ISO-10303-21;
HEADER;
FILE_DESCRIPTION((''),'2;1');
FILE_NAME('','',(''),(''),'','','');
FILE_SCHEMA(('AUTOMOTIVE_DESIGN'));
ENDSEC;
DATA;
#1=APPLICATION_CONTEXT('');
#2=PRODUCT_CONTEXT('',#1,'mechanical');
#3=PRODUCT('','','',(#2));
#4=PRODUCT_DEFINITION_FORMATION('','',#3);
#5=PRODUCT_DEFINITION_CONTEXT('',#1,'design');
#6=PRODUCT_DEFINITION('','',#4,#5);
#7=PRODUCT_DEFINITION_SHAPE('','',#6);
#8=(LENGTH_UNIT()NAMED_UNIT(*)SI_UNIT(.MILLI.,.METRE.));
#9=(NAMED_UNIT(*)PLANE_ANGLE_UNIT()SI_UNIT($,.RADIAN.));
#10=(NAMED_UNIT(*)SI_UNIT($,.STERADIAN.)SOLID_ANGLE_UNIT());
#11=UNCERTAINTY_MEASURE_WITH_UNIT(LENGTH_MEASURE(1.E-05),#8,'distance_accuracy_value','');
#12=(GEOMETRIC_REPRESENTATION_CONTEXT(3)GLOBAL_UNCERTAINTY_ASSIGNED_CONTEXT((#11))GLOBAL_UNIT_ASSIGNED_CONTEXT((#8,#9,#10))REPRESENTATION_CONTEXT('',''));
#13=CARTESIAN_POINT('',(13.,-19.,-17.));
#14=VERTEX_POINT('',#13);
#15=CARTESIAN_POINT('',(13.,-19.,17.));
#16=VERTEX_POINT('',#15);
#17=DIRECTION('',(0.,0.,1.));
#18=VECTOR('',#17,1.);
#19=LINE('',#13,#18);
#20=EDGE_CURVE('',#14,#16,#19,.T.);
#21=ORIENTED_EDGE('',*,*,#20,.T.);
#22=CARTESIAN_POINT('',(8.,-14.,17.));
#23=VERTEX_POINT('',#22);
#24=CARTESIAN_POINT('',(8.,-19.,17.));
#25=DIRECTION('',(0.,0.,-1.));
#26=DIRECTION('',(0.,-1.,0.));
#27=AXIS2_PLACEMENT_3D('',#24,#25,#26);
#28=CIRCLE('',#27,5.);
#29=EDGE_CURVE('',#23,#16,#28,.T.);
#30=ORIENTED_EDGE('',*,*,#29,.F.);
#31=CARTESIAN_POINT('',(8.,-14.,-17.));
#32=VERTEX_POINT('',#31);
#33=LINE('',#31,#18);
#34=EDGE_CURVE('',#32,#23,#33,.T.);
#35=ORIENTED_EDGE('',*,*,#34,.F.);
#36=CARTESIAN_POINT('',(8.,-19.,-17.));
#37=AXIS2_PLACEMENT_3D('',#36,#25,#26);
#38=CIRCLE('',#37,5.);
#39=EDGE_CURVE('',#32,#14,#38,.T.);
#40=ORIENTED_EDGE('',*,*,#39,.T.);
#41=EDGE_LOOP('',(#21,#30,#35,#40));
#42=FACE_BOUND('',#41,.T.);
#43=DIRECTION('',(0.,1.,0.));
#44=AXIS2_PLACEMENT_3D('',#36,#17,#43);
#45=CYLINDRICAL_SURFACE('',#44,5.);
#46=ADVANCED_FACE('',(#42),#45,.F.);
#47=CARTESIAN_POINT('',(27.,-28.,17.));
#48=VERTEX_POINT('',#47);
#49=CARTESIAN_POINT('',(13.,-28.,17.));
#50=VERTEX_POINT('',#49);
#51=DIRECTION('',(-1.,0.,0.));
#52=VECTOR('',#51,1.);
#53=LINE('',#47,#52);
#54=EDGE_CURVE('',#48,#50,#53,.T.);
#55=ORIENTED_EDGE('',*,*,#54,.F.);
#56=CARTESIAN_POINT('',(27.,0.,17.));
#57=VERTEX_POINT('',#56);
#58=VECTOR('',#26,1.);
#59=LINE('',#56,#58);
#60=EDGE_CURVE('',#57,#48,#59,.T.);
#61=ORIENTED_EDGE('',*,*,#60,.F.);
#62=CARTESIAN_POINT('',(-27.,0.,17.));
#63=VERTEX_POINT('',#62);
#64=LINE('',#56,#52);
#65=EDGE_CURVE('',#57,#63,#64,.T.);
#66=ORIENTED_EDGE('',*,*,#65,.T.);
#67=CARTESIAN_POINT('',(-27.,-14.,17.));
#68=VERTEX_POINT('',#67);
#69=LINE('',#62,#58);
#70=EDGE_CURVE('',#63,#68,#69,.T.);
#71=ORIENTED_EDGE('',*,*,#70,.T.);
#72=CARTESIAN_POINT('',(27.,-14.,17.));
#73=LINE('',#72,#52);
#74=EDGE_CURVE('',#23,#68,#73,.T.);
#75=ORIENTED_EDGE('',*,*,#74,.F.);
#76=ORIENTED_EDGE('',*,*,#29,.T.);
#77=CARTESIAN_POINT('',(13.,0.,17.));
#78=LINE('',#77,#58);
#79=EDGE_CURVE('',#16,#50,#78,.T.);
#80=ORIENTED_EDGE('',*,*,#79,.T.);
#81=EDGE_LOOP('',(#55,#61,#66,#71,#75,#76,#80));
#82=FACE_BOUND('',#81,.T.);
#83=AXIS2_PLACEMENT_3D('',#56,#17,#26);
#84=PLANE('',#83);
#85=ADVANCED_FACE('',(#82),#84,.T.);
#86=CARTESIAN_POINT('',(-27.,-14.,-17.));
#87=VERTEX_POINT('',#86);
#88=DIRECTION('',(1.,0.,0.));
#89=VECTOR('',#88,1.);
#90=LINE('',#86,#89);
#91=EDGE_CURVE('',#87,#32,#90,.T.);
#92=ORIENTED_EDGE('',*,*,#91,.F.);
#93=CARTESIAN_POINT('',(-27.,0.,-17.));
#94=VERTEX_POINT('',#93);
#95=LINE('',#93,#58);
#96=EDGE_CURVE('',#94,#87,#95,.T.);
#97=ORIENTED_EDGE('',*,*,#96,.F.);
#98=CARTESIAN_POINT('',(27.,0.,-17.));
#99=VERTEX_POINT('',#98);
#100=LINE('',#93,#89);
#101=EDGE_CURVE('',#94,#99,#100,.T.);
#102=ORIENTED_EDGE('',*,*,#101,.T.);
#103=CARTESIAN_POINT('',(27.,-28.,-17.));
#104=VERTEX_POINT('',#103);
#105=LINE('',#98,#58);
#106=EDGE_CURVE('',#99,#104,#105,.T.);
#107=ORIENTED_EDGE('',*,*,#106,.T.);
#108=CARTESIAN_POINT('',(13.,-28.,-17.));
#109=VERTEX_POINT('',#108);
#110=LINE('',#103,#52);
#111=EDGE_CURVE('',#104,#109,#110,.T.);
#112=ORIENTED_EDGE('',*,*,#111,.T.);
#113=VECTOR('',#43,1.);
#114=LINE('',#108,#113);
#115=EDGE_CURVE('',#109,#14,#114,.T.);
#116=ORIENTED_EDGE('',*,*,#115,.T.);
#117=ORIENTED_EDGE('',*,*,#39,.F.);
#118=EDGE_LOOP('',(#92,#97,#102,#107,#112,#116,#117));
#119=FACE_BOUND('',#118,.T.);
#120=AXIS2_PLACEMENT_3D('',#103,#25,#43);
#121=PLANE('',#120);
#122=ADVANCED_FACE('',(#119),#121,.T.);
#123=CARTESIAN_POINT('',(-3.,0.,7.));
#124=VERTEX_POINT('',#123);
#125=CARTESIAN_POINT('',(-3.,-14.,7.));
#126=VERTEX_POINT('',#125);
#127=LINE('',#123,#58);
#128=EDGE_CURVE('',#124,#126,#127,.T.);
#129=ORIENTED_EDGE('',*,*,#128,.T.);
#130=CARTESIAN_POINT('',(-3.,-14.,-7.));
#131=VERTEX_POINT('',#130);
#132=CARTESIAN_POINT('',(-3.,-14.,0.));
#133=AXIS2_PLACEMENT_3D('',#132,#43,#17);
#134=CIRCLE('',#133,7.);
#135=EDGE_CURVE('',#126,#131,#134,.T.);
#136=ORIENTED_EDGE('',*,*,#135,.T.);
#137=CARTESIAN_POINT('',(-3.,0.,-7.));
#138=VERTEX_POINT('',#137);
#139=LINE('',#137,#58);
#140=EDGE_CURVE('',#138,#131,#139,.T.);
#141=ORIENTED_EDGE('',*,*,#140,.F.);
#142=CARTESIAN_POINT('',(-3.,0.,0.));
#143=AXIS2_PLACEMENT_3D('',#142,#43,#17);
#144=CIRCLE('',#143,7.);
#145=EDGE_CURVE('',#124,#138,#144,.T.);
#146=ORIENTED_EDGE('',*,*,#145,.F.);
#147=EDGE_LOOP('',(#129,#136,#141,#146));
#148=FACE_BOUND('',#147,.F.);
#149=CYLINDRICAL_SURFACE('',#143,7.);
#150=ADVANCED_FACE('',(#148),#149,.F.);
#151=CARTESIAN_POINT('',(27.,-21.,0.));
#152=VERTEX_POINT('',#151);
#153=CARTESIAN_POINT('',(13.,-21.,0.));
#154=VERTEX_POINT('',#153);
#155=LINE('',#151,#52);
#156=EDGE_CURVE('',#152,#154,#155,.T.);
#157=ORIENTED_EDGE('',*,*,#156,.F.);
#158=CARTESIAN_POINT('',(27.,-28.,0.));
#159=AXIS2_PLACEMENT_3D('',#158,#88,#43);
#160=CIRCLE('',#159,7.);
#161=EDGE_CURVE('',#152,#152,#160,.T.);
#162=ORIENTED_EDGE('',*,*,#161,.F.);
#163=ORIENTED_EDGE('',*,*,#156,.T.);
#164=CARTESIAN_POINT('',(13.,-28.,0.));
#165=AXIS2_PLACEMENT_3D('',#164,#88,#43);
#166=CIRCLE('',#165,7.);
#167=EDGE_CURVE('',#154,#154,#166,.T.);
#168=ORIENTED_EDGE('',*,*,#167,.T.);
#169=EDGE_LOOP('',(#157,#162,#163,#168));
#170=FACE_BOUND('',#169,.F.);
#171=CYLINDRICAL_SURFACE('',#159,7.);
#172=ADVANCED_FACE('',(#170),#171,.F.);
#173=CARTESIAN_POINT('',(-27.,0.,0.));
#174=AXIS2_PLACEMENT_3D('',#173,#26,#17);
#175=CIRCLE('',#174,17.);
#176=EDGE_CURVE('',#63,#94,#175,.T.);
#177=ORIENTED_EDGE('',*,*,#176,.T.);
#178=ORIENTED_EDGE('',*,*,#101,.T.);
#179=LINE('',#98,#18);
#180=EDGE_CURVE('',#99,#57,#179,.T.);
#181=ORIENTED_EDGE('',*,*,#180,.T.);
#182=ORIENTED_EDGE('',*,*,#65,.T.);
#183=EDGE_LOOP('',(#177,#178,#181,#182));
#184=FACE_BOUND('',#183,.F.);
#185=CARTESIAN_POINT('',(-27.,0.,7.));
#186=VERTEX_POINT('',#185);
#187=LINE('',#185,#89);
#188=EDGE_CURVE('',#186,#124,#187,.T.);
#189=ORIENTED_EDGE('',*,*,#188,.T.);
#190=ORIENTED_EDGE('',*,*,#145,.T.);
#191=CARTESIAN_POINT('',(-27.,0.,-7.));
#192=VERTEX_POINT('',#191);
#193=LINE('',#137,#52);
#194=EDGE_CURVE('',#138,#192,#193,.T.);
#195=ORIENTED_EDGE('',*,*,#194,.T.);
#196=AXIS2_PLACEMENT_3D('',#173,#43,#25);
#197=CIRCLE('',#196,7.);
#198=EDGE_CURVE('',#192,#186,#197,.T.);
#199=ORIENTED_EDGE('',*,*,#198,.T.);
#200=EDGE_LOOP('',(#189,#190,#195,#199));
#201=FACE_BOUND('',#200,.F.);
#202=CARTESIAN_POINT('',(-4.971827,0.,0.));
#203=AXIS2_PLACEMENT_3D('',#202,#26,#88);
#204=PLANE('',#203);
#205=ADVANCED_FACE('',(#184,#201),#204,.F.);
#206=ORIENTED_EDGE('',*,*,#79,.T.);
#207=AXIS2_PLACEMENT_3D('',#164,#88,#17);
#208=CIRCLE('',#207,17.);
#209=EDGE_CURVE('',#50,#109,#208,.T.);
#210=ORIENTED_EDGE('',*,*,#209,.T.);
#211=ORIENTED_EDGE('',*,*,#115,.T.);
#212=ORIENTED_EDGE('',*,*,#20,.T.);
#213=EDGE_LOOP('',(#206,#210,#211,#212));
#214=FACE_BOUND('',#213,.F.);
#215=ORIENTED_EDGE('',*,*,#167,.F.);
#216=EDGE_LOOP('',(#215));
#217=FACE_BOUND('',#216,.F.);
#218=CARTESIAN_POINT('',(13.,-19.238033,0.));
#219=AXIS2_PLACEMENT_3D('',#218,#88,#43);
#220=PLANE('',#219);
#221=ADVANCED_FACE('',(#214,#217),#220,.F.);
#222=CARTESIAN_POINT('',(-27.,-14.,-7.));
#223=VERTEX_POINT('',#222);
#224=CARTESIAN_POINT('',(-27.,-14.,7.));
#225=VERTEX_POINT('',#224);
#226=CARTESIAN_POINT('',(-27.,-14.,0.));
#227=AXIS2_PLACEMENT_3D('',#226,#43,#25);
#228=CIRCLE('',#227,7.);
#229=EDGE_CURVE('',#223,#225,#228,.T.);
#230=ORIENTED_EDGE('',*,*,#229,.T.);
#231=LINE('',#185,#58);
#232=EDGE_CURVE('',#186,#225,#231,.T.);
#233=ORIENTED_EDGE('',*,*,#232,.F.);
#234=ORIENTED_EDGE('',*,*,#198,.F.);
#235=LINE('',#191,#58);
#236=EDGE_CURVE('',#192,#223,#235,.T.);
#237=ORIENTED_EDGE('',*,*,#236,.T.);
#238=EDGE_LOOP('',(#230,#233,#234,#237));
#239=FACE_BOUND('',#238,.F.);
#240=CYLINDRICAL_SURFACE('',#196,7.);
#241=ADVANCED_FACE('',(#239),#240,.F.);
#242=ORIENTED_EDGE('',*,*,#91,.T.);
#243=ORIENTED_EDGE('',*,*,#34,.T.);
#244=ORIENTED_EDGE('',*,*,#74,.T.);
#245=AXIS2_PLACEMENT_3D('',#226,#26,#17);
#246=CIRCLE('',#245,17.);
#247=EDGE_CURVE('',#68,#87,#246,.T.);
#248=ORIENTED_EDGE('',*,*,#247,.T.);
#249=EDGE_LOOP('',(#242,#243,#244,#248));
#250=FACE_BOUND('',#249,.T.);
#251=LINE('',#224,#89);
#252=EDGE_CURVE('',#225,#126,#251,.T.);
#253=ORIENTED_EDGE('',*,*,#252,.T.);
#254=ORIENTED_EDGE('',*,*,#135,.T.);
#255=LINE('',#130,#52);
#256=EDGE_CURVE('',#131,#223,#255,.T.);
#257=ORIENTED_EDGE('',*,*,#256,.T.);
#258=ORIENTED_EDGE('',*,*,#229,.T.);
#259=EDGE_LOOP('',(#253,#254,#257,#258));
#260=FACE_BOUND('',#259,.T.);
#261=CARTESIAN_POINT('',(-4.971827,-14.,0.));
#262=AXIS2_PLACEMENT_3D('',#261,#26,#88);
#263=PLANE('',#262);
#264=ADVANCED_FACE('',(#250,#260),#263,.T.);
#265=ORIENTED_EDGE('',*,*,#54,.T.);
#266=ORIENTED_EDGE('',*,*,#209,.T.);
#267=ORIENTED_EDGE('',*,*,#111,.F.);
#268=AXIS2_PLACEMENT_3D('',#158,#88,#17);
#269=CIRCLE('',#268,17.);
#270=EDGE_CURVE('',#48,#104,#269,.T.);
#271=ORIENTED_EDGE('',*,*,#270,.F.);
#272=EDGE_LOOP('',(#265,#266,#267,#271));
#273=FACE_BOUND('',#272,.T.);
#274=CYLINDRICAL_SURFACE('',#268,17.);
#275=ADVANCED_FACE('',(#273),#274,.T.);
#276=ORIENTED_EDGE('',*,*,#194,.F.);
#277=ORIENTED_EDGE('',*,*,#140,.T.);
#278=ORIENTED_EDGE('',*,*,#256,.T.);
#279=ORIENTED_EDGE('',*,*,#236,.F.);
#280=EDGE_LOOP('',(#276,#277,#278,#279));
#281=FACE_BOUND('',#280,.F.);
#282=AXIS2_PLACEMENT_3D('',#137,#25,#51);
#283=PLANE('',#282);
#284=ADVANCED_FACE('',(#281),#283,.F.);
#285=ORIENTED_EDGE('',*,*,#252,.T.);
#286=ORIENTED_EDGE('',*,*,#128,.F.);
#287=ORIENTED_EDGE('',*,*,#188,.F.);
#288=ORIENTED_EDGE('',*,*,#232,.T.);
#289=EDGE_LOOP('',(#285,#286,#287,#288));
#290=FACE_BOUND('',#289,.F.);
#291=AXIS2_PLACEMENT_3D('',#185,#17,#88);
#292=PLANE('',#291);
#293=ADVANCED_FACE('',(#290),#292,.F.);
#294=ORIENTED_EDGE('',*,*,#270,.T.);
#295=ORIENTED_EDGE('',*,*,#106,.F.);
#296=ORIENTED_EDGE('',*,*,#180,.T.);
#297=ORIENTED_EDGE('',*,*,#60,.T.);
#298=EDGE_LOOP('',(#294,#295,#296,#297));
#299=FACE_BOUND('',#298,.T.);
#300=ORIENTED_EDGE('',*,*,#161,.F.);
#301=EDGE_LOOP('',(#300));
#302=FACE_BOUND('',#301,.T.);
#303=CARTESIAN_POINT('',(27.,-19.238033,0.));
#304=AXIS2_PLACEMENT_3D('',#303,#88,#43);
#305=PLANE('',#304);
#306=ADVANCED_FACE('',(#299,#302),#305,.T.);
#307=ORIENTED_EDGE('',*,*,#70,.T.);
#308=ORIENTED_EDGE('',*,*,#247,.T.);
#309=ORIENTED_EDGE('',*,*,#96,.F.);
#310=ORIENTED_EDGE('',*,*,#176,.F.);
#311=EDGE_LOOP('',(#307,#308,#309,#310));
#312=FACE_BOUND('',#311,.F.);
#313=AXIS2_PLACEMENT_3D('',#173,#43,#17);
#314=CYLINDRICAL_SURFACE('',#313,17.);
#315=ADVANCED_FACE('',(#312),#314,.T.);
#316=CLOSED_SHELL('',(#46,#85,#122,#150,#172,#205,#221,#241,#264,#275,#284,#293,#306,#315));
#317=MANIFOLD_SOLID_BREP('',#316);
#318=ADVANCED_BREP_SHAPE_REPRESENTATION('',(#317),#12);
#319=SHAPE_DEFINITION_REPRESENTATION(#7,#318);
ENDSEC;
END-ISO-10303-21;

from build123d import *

# Parameters (mm, degrees)
F1_DEPTH = 14
F2_R     = 7
F3_DEPTH = 14
F4_R     = 5


with BuildPart() as f1:
    # F0 (on Front) → F1 (new body)
    with BuildSketch(Plane.XZ):
        with BuildLine():
            Line((27, 17), (-27, 17))
            ThreePointArc((-27, 17), (-44, 0), (-27, -17))
            Line((-27, -17), (27, -17))
            Line((27, -17), (27, 17))
        make_face()
        with BuildLine():
            Line((-3, -7), (-27, -7))
            ThreePointArc((-27, -7), (-34, 0), (-27, 7))
            Line((-27, 7), (-3, 7))
            ThreePointArc((-3, 7), (4, 0), (-3, -7))
        make_face(mode=Mode.SUBTRACT)
    extrude(amount=F1_DEPTH)

    # F2 (on face) → F3 (join)
    with BuildSketch(Plane.YZ.offset(27)):
        with BuildLine():
            Line((-28, -17), (0, -17))
            Line((0, -17), (0, 17))
            Line((0, 17), (-28, 17))
            ThreePointArc((-28, 17), (-45, 0), (-28, -17))
        make_face()
        with Locations((-28, 0)):
            Circle(F2_R, mode=Mode.SUBTRACT)
    extrude(amount=-F3_DEPTH)

    # F4
    f4_edges = [f1.edges().sort_by_distance(p)[0] for p in [
        (13, -14, 0),
    ]]
    fillet(f4_edges, radius=F4_R)


solid = f1.part
